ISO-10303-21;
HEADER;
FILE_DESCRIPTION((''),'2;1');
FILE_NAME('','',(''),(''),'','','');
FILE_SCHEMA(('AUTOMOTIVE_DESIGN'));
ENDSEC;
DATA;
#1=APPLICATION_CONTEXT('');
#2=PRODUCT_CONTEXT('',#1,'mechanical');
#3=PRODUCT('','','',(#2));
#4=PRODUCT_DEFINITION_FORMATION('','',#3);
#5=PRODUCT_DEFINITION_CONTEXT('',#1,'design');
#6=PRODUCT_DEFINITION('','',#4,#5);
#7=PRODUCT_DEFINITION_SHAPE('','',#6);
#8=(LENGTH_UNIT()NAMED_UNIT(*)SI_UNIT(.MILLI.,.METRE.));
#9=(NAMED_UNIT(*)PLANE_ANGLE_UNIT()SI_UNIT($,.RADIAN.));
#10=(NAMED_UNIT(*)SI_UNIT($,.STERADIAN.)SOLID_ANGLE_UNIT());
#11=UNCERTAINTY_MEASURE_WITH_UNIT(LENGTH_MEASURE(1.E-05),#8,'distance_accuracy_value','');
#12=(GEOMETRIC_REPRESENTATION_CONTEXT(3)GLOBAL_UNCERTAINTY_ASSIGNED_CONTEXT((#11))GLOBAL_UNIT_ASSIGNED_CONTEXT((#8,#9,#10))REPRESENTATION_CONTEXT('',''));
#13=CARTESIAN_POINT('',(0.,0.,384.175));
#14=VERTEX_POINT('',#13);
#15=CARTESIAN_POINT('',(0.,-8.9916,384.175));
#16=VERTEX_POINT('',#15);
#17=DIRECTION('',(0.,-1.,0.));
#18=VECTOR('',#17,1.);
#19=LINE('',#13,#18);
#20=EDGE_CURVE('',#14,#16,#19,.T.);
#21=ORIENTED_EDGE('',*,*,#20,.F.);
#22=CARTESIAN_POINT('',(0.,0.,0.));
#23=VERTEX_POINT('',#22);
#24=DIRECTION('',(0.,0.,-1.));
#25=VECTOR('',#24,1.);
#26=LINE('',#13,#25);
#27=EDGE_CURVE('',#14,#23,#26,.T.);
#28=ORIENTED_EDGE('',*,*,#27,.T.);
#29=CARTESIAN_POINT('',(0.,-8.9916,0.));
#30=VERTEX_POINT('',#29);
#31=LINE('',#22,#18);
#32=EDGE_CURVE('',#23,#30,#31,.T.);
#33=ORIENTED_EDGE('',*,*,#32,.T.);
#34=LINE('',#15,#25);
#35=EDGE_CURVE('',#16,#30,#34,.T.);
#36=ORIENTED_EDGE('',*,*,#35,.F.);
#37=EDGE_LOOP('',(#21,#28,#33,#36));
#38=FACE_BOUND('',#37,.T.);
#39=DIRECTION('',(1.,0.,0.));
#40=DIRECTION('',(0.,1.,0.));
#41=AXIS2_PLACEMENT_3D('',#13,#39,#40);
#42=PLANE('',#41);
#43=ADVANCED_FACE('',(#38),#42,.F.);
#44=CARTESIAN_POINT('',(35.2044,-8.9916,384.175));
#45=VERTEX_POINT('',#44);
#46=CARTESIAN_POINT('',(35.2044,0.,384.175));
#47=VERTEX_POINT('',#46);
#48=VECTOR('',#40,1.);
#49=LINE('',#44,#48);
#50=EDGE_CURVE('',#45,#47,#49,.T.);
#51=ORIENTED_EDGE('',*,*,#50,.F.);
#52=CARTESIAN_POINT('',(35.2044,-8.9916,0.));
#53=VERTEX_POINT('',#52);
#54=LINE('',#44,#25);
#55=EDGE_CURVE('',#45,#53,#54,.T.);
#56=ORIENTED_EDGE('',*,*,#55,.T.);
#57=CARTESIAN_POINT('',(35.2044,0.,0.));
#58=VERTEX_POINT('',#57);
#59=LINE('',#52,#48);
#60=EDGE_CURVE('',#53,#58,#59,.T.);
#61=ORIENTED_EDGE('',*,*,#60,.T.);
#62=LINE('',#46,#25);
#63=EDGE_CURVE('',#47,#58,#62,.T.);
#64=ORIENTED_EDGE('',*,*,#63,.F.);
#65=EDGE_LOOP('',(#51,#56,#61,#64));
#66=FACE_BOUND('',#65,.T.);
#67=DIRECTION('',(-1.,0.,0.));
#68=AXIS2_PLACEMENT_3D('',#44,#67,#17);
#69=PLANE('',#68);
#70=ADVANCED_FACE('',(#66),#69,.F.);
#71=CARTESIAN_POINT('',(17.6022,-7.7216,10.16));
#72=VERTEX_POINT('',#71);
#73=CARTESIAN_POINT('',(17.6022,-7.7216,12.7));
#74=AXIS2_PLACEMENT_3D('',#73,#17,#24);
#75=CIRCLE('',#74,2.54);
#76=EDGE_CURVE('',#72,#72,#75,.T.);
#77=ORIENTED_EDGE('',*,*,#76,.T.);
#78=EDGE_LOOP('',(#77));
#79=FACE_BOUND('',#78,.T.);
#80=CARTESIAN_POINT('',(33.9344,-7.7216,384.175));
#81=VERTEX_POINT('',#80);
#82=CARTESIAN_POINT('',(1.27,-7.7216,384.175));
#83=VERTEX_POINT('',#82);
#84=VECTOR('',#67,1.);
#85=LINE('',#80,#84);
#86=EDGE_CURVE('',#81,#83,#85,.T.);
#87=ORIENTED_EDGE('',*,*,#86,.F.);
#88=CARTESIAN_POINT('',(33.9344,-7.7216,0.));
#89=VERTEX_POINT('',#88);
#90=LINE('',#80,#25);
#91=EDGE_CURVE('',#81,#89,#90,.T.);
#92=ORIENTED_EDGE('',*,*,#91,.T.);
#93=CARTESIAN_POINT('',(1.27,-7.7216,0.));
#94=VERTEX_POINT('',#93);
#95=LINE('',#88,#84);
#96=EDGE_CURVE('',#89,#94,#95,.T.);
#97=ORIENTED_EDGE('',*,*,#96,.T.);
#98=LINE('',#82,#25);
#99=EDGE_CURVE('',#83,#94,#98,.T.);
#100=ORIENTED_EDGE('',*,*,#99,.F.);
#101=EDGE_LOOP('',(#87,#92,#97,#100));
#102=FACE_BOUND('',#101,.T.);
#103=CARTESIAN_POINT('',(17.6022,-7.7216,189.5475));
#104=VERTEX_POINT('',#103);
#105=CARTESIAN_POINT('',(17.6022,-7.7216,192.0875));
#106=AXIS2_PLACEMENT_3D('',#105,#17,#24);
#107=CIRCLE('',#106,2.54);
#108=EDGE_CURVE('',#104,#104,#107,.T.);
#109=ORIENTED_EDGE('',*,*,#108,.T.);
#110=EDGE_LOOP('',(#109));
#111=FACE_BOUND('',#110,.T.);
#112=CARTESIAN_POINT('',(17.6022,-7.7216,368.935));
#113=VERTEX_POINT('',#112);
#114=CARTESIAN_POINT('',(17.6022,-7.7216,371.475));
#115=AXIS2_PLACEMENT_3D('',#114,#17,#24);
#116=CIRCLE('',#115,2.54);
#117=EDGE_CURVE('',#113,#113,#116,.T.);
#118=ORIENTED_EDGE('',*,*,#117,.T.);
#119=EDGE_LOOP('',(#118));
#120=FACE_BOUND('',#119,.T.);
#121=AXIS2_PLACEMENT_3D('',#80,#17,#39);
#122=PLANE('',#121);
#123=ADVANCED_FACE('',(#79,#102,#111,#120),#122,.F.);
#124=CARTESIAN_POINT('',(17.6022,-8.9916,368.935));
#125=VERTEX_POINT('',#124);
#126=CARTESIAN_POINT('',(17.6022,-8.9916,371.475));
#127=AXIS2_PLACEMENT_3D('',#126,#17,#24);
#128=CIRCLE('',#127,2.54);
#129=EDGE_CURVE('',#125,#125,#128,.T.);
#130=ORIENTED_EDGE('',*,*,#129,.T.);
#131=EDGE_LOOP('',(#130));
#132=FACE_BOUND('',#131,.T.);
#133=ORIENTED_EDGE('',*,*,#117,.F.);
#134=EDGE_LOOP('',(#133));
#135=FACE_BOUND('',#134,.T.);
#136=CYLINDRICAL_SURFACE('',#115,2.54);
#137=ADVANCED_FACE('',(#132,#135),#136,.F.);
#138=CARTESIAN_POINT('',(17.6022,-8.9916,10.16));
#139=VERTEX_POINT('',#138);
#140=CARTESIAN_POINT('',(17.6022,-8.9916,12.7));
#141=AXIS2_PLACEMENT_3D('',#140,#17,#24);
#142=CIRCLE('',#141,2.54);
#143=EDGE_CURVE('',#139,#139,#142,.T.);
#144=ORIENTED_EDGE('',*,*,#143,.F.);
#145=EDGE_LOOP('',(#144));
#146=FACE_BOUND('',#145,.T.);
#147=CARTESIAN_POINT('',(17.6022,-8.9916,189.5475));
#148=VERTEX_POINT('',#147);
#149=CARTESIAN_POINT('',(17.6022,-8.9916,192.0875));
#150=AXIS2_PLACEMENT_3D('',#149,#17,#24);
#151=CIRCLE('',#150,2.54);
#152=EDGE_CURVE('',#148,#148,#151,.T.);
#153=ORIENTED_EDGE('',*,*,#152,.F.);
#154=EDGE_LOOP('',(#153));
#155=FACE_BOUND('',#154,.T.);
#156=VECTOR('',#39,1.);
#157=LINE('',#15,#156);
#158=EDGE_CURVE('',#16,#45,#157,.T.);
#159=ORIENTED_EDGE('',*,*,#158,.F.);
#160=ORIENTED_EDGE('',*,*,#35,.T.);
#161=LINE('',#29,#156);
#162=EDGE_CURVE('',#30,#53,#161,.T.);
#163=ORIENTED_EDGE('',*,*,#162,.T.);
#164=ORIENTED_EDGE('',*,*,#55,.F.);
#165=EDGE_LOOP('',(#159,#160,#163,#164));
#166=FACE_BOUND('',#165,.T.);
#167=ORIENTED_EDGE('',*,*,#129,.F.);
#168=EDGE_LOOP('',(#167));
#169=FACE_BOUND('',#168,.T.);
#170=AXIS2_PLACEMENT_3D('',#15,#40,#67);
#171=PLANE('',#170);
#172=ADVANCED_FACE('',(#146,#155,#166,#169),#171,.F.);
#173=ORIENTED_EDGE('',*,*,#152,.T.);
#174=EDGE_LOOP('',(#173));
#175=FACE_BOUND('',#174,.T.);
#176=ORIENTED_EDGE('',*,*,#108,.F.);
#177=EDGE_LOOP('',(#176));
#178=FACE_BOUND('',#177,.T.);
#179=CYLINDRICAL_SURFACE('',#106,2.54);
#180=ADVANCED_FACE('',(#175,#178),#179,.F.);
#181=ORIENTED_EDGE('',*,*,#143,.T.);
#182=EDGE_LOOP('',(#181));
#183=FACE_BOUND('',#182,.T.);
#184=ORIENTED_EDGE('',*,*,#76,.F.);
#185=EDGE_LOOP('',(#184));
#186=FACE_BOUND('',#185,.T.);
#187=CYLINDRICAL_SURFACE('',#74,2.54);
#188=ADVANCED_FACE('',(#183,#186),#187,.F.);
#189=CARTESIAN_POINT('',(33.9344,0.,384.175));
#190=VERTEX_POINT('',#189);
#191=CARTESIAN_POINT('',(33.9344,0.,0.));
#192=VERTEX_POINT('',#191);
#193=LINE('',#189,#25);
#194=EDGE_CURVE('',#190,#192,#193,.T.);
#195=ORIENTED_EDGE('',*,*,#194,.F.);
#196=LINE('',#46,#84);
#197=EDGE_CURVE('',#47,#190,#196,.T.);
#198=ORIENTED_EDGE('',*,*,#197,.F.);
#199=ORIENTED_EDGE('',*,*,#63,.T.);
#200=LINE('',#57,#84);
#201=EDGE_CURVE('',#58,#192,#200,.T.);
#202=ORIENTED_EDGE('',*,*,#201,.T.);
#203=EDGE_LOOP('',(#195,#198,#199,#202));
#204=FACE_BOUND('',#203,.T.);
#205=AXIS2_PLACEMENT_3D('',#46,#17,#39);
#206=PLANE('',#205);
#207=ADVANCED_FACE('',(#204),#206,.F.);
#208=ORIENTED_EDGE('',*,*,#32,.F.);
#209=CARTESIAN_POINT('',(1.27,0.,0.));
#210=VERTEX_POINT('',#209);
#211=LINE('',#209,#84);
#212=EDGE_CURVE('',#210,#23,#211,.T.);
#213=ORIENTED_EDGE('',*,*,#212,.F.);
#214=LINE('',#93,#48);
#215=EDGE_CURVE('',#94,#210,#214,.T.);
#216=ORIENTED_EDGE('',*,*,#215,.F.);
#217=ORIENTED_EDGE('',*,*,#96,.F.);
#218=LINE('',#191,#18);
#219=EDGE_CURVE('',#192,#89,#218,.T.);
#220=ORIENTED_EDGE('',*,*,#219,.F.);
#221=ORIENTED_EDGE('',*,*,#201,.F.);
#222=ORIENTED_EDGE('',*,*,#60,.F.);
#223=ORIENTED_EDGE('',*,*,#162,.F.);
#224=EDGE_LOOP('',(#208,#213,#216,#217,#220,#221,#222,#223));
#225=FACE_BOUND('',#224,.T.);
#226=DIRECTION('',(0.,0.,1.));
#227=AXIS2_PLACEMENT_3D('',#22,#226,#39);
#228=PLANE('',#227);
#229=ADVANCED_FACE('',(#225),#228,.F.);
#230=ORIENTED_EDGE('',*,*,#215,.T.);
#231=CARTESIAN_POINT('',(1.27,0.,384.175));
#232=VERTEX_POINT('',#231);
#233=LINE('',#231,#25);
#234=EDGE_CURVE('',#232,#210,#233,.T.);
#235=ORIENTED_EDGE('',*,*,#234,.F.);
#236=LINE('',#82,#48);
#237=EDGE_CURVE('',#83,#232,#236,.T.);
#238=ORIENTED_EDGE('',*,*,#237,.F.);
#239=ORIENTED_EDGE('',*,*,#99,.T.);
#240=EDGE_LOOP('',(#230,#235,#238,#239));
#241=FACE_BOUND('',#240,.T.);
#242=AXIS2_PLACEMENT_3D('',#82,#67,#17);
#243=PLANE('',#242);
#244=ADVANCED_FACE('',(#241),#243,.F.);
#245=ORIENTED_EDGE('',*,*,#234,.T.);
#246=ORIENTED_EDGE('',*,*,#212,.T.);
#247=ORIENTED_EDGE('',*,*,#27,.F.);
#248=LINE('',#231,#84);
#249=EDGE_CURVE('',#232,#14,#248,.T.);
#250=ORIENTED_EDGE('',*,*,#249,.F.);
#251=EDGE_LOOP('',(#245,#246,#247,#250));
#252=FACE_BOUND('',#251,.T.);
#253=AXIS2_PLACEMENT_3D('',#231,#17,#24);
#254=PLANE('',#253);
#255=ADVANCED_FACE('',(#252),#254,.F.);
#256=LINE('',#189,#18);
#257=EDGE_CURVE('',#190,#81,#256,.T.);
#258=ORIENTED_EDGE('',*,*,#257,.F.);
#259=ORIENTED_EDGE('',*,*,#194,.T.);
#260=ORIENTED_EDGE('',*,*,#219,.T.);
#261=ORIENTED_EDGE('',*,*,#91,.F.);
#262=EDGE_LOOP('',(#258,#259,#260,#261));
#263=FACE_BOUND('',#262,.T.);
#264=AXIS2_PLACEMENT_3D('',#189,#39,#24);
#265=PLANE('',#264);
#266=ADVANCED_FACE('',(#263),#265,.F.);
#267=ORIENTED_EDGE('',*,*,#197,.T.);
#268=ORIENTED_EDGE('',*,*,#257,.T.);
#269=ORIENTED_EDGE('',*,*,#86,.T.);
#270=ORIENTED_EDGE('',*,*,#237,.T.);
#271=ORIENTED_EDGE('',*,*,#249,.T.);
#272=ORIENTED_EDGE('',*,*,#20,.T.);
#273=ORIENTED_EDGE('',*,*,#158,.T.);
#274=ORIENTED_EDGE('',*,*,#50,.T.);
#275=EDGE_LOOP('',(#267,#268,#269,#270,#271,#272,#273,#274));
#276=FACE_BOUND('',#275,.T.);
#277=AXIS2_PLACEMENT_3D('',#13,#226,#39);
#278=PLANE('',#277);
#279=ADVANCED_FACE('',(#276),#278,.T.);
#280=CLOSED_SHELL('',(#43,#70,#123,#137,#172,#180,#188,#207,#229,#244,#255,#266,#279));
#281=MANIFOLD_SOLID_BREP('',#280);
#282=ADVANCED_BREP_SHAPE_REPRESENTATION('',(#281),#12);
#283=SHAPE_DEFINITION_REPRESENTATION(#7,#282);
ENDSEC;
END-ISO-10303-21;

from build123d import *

# Parameters (mm, degrees)
BOSS_EXTRUDE1_DEPTH = 384.175
SKETCH2_R           = 2.54
CUT_EXTRUDE1_DEPTH  = 1.27


with BuildPart() as part:
    # Sketch1 → Boss-Extrude1 (new body)
    with BuildSketch(Plane.XY):
        Polygon((0, 0), (0, -8.9916), (35.2044, -8.9916), (35.2044, 0), (33.9344, 0), (33.9344, -7.7216), (1.27, -7.7216), (1.27, 0), align=None)
    extrude(amount=BOSS_EXTRUDE1_DEPTH)

    # Sketch2 → Cut-Extrude1 (cut)
    with BuildSketch(Plane(origin=(0, -8.9916, 0), x_dir=(-1, 0, 0), z_dir=(0, -1, 0))):
        with Locations((-17.6022, -12.7)):
            Circle(SKETCH2_R)
        with Locations((-17.6022, -192.0875)):
            Circle(SKETCH2_R)
        with Locations((-17.6022, -371.475)):
            Circle(SKETCH2_R)
    extrude(amount=-CUT_EXTRUDE1_DEPTH, mode=Mode.SUBTRACT)


solid = part.part
